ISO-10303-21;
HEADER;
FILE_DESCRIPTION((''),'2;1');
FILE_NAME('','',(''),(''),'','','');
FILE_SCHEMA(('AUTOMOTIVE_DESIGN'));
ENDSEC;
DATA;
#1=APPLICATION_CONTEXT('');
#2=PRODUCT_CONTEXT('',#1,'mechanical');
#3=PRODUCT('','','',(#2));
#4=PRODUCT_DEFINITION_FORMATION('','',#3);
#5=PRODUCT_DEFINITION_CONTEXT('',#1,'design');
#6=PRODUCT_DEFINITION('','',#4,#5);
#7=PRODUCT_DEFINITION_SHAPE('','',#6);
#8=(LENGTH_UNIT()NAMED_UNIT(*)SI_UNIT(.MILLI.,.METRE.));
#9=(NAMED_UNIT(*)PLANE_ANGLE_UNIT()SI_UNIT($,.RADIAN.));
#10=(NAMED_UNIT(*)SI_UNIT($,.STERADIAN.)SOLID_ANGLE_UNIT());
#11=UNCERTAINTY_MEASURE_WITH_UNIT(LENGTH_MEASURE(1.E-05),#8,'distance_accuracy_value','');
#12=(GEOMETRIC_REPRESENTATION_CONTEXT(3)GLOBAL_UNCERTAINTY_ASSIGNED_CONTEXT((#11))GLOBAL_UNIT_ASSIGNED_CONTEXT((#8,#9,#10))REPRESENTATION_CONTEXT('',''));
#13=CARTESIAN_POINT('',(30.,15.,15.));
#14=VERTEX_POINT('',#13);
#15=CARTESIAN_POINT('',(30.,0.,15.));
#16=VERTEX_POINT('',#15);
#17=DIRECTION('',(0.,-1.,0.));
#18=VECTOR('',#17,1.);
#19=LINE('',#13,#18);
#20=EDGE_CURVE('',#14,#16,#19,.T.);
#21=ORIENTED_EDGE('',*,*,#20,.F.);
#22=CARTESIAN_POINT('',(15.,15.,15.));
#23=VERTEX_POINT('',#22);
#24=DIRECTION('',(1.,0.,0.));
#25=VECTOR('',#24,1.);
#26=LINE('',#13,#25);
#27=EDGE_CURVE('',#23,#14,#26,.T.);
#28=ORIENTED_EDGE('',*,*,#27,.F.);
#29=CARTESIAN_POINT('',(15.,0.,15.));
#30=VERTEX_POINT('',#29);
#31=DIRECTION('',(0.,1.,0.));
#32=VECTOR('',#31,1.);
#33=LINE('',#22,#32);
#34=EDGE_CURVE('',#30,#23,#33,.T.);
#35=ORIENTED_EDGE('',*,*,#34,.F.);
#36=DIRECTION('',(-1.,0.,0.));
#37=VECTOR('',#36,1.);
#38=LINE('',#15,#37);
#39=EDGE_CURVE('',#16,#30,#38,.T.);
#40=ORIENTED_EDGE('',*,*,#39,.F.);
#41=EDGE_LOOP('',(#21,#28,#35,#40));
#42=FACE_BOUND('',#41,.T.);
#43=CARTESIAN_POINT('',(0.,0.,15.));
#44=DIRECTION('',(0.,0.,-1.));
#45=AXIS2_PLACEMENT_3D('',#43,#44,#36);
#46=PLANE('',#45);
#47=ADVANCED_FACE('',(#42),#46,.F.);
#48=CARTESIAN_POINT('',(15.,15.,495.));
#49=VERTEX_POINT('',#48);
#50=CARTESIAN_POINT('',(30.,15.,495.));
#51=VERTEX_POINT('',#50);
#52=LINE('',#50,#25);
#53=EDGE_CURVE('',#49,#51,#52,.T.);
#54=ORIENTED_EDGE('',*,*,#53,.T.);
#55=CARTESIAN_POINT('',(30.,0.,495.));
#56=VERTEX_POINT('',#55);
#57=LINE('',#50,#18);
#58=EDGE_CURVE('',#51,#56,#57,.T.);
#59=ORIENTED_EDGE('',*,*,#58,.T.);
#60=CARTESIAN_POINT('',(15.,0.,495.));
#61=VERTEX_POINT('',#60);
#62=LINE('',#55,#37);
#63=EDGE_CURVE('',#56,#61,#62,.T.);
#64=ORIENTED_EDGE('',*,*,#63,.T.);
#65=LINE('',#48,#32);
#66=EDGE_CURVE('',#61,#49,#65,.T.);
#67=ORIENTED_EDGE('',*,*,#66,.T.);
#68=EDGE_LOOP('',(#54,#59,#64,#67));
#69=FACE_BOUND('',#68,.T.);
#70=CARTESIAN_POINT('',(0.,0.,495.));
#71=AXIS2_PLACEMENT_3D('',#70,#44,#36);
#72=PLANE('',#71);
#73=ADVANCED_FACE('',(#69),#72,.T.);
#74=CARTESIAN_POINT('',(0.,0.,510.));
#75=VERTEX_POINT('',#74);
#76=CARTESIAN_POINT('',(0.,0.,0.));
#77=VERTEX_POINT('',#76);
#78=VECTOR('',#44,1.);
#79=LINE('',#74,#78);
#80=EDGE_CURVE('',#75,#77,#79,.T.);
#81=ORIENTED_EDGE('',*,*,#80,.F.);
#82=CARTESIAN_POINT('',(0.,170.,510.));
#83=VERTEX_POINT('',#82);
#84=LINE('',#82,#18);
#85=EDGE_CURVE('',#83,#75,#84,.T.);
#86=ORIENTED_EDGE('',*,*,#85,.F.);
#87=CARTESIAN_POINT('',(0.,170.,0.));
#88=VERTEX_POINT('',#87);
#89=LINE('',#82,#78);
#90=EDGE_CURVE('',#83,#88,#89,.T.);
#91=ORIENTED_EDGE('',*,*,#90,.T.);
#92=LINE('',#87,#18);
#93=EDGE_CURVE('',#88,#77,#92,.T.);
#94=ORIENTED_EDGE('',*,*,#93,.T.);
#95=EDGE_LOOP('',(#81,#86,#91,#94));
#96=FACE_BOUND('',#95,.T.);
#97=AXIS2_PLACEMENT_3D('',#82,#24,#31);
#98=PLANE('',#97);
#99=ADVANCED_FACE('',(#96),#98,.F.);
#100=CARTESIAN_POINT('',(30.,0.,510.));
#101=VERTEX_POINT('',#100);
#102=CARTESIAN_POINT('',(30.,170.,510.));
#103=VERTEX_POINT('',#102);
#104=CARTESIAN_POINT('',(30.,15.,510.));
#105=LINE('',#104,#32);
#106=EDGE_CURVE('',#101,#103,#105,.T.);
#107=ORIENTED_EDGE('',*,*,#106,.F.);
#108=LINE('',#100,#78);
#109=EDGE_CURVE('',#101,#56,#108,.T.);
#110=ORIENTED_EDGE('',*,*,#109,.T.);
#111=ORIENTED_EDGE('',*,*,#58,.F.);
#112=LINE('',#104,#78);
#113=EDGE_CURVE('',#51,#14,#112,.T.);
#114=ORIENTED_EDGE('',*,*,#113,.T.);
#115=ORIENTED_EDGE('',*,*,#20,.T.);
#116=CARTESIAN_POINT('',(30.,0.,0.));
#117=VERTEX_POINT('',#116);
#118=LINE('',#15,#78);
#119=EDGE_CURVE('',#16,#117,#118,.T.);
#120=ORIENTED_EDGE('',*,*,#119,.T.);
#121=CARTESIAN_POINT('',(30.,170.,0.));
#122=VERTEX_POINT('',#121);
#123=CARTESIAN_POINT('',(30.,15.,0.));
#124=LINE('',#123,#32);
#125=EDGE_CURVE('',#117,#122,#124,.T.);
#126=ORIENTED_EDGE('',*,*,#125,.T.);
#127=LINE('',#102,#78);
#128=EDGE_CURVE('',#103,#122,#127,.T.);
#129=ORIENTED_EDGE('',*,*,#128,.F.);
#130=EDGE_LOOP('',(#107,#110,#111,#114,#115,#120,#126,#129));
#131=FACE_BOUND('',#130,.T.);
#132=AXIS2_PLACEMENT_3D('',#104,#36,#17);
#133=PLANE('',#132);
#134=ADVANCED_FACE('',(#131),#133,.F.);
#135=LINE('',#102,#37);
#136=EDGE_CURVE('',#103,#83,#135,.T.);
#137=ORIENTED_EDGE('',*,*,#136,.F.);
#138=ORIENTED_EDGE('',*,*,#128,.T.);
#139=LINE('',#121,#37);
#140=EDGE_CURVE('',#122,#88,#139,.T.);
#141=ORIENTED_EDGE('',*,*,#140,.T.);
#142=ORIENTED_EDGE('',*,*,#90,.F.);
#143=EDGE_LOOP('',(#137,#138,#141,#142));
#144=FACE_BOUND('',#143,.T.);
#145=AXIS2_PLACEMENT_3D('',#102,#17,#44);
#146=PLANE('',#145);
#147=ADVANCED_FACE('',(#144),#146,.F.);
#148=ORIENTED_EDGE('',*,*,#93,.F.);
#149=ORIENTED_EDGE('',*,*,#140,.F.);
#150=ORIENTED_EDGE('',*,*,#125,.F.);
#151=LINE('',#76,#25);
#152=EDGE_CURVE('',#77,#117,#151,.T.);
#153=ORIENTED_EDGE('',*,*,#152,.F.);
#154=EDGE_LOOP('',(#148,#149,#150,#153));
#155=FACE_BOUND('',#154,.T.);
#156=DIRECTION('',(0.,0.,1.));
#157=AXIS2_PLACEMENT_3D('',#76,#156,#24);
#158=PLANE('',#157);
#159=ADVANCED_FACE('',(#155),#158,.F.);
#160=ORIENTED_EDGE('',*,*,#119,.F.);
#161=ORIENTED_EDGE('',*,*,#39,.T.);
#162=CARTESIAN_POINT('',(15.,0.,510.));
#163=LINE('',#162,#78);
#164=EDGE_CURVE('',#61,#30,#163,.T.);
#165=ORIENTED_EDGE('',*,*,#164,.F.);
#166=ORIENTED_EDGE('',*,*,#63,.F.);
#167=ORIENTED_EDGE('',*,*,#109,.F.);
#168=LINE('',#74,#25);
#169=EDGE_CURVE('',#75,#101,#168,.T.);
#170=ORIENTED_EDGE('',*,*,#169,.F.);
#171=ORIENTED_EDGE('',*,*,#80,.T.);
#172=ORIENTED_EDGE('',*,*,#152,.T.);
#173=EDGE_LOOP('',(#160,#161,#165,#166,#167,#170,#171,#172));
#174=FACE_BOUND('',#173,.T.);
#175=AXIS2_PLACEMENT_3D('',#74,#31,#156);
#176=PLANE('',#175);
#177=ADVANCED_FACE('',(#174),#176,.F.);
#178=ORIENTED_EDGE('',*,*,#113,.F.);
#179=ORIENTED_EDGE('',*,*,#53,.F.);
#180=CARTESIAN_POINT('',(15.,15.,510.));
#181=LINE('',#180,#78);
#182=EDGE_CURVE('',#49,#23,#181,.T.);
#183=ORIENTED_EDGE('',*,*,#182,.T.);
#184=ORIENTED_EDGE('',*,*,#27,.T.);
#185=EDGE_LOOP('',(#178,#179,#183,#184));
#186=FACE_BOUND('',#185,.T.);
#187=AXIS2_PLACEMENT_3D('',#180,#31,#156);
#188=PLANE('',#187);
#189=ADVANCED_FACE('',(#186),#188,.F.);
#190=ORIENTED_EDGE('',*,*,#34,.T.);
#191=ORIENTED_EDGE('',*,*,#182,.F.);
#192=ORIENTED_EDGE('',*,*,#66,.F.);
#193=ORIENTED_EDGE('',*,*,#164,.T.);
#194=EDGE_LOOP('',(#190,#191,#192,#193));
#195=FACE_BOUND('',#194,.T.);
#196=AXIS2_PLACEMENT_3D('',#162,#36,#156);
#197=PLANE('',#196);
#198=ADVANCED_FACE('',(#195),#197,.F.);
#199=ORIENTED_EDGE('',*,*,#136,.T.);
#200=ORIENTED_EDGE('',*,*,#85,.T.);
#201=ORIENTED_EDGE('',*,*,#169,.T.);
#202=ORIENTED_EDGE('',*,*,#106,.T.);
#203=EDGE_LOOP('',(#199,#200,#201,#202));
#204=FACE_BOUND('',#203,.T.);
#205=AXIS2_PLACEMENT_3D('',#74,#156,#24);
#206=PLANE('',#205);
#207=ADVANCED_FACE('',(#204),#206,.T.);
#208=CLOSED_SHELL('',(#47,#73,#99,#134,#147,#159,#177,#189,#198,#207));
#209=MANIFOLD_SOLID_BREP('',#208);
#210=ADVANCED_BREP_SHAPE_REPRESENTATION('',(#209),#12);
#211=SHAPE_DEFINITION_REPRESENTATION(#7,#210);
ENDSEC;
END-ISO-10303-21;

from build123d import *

# Parameters (mm, degrees)
EXTRUDE_1_DEPTH        = 510
SKETCH_2_W             = 15
SKETCH_2_H             = 15
EXTRUDE_2_DEPTH        = 15
PATTERN_LINEAR_1_COUNT = 2
PATTERN_LINEAR_1_PITCH = 495


with BuildPart() as part:
    # Эскиз1 → Бобышка-Вытянуть1 (new body)
    with BuildSketch(Plane.XY):
        Polygon((0, 0), (15, 0), (15, 15), (30, 15), (30, 170), (0, 170), align=None)
    extrude(amount=EXTRUDE_1_DEPTH)

    # Эскиз2 → Бобышка-Вытянуть2 (add)
    with BuildSketch(Plane(origin=(0, 0, 0), x_dir=(-1, 0, 0), z_dir=(0, 0, -1))):
        with Locations((-22.5, 7.5)):
            Rectangle(SKETCH_2_W, SKETCH_2_H)
    extrude_2 = extrude(amount=-EXTRUDE_2_DEPTH)

    # Линейный массив1: Бобышка-Вытянуть2 ×2
    with Locations(*[(0, 0, i * PATTERN_LINEAR_1_PITCH) for i in range(1, PATTERN_LINEAR_1_COUNT)]):
        add(extrude_2)


solid = part.part
